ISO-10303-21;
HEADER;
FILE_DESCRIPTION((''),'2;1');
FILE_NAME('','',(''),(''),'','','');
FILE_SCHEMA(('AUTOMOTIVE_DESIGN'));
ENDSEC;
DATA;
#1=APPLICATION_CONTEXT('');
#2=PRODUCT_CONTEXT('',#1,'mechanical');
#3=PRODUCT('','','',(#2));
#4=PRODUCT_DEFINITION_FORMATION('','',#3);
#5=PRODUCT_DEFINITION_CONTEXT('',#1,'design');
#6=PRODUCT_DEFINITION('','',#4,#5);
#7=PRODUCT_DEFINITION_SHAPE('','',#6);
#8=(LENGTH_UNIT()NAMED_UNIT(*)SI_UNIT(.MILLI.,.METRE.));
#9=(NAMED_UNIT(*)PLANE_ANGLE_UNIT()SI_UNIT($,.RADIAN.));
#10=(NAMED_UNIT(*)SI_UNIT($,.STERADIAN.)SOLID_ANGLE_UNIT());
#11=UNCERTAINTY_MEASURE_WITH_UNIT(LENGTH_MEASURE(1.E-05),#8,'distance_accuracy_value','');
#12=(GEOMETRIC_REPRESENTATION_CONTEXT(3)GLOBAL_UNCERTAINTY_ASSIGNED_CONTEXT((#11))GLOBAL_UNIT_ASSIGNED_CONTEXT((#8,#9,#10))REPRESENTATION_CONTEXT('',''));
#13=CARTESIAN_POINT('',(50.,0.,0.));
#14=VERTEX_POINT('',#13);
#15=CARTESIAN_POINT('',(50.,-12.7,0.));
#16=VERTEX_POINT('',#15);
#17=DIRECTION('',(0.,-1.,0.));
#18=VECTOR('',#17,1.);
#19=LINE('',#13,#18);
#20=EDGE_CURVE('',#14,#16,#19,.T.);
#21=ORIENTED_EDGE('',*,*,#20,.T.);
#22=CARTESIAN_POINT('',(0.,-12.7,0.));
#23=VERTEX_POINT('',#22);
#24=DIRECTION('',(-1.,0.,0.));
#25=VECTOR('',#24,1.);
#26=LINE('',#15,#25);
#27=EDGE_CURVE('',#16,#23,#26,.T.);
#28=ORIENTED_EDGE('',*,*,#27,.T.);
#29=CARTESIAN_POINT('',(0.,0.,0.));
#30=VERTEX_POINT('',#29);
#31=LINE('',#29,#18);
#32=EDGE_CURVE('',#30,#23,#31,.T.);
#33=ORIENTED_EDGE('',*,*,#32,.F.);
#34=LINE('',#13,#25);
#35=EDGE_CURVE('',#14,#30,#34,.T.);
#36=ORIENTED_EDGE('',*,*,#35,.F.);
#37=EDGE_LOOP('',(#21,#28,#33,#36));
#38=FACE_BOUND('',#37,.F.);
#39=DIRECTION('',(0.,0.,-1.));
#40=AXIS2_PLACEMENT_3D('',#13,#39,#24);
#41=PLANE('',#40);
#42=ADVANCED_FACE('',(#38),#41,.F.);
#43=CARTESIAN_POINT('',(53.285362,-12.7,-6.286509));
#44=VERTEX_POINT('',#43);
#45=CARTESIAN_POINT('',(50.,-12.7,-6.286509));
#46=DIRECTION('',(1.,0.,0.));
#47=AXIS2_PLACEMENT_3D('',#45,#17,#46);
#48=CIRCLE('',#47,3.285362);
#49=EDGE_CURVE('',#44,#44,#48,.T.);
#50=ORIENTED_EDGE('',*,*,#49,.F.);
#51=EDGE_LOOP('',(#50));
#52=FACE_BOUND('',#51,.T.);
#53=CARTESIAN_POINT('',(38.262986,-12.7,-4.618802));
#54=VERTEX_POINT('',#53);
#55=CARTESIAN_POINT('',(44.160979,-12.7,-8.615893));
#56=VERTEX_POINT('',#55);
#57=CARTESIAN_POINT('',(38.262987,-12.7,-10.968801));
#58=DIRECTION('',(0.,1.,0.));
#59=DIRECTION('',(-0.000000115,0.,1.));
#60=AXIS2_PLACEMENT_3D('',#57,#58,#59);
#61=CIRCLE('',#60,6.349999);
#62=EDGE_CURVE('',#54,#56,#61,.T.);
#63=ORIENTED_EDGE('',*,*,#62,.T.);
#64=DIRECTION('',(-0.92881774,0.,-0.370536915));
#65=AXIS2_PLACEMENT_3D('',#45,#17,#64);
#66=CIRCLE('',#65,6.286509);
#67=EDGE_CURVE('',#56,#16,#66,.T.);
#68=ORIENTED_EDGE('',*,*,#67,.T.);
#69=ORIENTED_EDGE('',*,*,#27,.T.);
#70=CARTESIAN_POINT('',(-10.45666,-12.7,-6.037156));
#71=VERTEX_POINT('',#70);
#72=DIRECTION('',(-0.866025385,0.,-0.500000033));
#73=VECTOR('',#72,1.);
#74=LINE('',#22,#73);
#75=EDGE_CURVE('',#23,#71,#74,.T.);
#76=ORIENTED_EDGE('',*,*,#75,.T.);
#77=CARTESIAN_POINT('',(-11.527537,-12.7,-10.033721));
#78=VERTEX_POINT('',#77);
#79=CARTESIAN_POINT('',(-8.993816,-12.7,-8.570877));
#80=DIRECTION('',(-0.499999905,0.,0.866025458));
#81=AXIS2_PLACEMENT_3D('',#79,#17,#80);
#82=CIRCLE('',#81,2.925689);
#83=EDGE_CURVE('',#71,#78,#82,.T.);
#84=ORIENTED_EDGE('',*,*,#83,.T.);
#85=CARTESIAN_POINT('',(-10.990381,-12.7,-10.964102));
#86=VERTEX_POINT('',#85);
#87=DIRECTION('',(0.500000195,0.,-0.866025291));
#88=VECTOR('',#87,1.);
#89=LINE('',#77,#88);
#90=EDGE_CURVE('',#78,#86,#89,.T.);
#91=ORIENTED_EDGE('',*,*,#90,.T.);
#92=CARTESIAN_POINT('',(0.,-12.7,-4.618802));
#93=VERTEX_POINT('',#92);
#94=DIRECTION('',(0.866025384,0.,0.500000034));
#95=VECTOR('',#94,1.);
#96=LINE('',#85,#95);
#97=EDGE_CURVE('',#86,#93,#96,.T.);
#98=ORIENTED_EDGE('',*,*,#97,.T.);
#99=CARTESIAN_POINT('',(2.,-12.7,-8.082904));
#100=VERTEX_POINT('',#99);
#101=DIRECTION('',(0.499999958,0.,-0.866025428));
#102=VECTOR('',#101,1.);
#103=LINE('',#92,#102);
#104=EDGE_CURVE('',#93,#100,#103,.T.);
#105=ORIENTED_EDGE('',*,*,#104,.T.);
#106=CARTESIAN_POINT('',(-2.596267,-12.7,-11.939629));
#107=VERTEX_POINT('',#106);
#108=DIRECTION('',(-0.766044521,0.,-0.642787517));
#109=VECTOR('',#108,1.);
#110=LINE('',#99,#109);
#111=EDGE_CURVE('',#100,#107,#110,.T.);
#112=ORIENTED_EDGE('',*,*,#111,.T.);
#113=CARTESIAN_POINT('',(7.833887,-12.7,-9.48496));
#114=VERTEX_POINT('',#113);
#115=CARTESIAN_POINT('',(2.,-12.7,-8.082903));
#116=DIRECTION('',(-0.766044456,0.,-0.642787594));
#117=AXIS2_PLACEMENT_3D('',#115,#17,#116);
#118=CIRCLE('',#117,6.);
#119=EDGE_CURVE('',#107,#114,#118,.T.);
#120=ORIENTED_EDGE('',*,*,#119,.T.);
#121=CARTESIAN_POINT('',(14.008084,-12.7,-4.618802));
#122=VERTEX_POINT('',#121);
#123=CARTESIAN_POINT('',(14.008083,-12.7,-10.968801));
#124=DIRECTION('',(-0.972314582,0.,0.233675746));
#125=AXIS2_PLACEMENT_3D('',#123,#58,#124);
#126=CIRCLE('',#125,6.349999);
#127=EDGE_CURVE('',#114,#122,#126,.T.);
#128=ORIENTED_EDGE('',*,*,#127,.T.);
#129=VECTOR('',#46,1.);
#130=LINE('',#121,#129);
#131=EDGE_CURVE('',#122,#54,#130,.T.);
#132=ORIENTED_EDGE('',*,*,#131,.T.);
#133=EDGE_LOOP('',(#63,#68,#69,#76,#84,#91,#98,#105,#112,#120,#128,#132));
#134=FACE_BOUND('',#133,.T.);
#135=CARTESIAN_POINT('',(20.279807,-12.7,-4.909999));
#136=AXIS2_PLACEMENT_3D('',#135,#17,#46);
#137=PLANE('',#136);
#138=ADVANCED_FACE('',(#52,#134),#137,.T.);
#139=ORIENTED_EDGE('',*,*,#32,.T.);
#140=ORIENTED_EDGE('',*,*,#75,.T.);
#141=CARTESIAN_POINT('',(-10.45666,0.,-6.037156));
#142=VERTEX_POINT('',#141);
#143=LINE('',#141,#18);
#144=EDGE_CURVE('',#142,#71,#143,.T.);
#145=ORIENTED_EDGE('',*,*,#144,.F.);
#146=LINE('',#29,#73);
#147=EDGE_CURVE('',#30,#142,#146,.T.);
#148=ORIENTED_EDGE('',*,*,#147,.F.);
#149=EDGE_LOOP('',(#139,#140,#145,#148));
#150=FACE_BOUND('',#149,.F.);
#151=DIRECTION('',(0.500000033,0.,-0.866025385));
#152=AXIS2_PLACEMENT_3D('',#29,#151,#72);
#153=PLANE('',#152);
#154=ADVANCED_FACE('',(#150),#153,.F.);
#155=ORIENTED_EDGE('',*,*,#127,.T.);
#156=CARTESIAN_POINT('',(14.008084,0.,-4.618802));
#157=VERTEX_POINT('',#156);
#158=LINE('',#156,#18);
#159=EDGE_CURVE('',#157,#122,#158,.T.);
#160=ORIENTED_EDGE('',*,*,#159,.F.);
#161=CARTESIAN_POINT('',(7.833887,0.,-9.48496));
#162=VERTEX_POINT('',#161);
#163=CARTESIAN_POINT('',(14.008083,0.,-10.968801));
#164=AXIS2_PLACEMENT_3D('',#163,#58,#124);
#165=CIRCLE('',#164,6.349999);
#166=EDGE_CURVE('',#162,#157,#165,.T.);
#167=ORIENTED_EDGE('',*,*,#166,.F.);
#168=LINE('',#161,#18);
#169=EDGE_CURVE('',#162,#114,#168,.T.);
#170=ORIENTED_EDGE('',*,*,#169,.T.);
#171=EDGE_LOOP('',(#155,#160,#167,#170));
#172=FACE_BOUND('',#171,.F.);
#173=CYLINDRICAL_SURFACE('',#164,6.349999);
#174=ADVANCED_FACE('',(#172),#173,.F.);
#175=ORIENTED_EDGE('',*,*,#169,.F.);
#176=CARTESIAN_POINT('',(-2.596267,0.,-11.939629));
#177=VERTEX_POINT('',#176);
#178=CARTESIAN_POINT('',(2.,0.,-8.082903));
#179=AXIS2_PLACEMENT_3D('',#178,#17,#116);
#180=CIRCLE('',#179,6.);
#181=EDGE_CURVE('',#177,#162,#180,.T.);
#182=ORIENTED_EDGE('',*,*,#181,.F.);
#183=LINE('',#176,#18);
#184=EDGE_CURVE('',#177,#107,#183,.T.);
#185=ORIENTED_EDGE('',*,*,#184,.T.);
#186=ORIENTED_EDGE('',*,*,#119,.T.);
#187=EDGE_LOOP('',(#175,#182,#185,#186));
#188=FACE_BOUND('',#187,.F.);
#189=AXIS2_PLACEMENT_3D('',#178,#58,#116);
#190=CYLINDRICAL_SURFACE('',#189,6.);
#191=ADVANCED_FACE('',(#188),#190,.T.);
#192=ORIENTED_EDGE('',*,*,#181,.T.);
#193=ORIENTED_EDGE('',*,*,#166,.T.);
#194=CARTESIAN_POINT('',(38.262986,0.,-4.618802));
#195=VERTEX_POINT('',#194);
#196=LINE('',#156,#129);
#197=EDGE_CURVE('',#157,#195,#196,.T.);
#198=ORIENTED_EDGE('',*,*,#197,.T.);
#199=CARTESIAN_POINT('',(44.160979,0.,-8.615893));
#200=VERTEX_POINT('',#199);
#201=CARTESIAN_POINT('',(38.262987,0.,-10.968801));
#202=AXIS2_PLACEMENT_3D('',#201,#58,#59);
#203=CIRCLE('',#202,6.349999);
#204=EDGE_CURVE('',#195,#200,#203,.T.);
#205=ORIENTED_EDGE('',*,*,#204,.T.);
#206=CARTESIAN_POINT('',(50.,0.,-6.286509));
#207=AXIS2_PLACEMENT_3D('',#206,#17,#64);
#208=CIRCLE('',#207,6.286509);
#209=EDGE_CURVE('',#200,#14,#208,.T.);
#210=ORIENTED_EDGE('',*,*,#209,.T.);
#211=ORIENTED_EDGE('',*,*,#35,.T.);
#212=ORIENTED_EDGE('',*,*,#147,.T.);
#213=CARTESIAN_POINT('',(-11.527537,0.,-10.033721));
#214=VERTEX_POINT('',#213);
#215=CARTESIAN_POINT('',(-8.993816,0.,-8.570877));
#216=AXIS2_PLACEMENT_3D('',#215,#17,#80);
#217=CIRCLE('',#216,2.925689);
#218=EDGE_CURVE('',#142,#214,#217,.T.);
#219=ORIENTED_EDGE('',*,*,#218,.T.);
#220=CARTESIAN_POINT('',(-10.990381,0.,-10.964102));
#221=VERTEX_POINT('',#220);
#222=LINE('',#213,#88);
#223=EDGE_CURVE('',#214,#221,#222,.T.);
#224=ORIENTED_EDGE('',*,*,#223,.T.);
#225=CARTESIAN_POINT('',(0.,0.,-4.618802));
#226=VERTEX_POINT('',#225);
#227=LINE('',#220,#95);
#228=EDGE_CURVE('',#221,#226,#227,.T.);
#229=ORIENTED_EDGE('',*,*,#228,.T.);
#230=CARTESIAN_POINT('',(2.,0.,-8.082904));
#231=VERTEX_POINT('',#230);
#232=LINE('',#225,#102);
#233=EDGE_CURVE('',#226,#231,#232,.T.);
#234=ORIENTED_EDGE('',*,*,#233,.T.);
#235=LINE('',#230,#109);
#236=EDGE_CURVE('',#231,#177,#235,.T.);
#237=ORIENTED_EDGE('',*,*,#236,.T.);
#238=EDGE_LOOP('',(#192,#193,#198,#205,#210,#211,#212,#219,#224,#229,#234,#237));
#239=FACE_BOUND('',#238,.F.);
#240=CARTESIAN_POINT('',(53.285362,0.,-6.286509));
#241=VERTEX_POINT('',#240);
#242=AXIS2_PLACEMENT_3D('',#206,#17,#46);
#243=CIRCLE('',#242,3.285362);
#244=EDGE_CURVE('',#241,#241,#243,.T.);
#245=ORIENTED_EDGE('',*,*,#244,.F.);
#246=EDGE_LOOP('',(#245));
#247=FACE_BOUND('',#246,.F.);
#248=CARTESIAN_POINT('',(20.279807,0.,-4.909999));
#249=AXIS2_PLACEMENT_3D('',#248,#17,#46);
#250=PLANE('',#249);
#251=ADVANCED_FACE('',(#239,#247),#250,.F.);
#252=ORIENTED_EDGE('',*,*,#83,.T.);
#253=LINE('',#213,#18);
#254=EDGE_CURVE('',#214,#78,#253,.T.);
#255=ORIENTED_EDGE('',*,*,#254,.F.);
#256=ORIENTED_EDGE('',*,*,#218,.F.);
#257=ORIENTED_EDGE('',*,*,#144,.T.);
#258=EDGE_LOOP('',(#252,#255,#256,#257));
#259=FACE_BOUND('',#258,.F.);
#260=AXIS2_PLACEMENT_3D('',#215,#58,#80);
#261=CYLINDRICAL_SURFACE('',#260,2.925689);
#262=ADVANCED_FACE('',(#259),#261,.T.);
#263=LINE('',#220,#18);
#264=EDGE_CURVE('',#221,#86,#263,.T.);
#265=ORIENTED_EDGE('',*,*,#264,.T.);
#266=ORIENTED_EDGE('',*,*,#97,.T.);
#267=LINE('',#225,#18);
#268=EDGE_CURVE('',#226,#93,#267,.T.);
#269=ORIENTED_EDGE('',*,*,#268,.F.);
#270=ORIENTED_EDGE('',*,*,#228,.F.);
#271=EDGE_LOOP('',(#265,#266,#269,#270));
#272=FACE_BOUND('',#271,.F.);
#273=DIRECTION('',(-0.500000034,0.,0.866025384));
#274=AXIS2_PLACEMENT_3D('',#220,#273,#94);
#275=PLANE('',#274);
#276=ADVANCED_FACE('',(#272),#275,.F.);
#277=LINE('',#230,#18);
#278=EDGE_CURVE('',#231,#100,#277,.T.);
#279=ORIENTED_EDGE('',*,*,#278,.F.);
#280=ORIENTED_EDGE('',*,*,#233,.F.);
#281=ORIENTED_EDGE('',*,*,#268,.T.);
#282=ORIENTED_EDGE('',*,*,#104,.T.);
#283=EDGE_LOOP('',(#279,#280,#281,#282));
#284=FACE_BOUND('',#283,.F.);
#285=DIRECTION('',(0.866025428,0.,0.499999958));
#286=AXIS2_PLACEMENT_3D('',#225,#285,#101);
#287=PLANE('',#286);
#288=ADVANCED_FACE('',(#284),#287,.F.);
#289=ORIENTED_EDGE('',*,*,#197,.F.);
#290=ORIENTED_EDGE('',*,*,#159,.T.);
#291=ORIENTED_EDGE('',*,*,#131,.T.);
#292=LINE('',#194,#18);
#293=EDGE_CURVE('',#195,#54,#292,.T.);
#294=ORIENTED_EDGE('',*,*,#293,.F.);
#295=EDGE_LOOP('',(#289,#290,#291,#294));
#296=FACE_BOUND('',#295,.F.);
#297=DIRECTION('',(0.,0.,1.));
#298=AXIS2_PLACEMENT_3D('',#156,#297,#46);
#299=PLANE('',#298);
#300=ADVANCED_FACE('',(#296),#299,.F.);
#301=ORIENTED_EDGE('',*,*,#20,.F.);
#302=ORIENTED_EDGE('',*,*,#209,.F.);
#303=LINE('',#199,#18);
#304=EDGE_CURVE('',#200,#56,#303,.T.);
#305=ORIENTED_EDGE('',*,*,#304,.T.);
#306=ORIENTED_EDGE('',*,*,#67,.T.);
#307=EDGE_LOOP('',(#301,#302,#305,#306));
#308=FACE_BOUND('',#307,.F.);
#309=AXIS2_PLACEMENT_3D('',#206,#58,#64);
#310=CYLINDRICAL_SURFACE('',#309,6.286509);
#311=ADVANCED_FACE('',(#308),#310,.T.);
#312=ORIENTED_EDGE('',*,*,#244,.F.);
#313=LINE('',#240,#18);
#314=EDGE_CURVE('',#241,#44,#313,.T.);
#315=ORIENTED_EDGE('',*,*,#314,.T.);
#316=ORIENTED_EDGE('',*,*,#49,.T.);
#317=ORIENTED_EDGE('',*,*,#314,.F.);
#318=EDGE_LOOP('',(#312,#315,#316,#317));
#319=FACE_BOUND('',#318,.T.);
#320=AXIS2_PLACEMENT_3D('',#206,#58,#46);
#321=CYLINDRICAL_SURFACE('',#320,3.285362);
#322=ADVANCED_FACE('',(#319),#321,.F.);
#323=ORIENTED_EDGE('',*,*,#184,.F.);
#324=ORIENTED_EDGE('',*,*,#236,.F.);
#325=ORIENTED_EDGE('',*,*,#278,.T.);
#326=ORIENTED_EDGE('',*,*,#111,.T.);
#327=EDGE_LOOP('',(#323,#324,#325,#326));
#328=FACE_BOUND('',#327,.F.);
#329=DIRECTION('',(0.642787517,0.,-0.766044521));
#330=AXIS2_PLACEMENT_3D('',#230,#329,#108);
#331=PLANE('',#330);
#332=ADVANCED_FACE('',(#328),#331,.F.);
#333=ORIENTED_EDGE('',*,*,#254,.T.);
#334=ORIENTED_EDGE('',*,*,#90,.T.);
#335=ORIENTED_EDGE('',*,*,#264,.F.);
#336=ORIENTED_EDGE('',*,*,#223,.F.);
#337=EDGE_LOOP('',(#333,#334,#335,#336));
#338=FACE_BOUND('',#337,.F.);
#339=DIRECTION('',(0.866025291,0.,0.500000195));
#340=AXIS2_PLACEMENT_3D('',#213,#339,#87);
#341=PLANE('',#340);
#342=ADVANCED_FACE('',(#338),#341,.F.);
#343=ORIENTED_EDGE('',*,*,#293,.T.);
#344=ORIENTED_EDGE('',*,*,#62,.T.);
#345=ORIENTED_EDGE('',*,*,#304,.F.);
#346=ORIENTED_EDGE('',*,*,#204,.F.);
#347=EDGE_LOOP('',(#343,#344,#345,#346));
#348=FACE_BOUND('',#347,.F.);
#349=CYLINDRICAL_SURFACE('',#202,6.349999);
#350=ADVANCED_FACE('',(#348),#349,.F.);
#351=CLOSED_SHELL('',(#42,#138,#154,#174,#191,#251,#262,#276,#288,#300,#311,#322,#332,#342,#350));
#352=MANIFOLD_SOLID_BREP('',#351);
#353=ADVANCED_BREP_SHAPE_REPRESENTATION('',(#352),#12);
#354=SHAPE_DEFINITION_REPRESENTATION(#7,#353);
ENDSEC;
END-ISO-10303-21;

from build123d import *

# Parameters (mm, degrees)
F0_R     = 3.285362
F1_DEPTH = 12.7


with BuildPart() as f1:
    # F0 (on Front) → F1 (new body)
    with BuildSketch(Plane.XZ):
        with BuildLine():
            Line((50, 0), (0, 0))
            Line((0, 0), (-10.45666, -6.037156))
            ThreePointArc((-10.45666, -6.037156), (-11.819814, -7.813652), (-11.527537, -10.033721))
            Line((-11.527537, -10.033721), (-10.990381, -10.964102))
            Line((-10.990381, -10.964102), (0, -4.618802))
            Line((0, -4.618802), (2, -8.082904))
            Line((2, -8.082904), (-2.596267, -11.939629))
            ThreePointArc((-2.596267, -11.939629), (3.37451, -13.923342), (7.833887, -9.48496))
            ThreePointArc((7.833887, -9.48496), (10.077429, -5.981573), (14.008084, -4.618802))
            Line((14.008084, -4.618802), (38.262986, -4.618802))
            ThreePointArc((38.262986, -4.618802), (41.825396, -5.712212), (44.160979, -8.615893))
            ThreePointArc((44.160979, -8.615893), (55.204032, -9.8133), (50, 0))
        make_face()
        with Locations((50, -6.286509)):
            Circle(F0_R, mode=Mode.SUBTRACT)
    extrude(amount=F1_DEPTH)


solid = f1.part
